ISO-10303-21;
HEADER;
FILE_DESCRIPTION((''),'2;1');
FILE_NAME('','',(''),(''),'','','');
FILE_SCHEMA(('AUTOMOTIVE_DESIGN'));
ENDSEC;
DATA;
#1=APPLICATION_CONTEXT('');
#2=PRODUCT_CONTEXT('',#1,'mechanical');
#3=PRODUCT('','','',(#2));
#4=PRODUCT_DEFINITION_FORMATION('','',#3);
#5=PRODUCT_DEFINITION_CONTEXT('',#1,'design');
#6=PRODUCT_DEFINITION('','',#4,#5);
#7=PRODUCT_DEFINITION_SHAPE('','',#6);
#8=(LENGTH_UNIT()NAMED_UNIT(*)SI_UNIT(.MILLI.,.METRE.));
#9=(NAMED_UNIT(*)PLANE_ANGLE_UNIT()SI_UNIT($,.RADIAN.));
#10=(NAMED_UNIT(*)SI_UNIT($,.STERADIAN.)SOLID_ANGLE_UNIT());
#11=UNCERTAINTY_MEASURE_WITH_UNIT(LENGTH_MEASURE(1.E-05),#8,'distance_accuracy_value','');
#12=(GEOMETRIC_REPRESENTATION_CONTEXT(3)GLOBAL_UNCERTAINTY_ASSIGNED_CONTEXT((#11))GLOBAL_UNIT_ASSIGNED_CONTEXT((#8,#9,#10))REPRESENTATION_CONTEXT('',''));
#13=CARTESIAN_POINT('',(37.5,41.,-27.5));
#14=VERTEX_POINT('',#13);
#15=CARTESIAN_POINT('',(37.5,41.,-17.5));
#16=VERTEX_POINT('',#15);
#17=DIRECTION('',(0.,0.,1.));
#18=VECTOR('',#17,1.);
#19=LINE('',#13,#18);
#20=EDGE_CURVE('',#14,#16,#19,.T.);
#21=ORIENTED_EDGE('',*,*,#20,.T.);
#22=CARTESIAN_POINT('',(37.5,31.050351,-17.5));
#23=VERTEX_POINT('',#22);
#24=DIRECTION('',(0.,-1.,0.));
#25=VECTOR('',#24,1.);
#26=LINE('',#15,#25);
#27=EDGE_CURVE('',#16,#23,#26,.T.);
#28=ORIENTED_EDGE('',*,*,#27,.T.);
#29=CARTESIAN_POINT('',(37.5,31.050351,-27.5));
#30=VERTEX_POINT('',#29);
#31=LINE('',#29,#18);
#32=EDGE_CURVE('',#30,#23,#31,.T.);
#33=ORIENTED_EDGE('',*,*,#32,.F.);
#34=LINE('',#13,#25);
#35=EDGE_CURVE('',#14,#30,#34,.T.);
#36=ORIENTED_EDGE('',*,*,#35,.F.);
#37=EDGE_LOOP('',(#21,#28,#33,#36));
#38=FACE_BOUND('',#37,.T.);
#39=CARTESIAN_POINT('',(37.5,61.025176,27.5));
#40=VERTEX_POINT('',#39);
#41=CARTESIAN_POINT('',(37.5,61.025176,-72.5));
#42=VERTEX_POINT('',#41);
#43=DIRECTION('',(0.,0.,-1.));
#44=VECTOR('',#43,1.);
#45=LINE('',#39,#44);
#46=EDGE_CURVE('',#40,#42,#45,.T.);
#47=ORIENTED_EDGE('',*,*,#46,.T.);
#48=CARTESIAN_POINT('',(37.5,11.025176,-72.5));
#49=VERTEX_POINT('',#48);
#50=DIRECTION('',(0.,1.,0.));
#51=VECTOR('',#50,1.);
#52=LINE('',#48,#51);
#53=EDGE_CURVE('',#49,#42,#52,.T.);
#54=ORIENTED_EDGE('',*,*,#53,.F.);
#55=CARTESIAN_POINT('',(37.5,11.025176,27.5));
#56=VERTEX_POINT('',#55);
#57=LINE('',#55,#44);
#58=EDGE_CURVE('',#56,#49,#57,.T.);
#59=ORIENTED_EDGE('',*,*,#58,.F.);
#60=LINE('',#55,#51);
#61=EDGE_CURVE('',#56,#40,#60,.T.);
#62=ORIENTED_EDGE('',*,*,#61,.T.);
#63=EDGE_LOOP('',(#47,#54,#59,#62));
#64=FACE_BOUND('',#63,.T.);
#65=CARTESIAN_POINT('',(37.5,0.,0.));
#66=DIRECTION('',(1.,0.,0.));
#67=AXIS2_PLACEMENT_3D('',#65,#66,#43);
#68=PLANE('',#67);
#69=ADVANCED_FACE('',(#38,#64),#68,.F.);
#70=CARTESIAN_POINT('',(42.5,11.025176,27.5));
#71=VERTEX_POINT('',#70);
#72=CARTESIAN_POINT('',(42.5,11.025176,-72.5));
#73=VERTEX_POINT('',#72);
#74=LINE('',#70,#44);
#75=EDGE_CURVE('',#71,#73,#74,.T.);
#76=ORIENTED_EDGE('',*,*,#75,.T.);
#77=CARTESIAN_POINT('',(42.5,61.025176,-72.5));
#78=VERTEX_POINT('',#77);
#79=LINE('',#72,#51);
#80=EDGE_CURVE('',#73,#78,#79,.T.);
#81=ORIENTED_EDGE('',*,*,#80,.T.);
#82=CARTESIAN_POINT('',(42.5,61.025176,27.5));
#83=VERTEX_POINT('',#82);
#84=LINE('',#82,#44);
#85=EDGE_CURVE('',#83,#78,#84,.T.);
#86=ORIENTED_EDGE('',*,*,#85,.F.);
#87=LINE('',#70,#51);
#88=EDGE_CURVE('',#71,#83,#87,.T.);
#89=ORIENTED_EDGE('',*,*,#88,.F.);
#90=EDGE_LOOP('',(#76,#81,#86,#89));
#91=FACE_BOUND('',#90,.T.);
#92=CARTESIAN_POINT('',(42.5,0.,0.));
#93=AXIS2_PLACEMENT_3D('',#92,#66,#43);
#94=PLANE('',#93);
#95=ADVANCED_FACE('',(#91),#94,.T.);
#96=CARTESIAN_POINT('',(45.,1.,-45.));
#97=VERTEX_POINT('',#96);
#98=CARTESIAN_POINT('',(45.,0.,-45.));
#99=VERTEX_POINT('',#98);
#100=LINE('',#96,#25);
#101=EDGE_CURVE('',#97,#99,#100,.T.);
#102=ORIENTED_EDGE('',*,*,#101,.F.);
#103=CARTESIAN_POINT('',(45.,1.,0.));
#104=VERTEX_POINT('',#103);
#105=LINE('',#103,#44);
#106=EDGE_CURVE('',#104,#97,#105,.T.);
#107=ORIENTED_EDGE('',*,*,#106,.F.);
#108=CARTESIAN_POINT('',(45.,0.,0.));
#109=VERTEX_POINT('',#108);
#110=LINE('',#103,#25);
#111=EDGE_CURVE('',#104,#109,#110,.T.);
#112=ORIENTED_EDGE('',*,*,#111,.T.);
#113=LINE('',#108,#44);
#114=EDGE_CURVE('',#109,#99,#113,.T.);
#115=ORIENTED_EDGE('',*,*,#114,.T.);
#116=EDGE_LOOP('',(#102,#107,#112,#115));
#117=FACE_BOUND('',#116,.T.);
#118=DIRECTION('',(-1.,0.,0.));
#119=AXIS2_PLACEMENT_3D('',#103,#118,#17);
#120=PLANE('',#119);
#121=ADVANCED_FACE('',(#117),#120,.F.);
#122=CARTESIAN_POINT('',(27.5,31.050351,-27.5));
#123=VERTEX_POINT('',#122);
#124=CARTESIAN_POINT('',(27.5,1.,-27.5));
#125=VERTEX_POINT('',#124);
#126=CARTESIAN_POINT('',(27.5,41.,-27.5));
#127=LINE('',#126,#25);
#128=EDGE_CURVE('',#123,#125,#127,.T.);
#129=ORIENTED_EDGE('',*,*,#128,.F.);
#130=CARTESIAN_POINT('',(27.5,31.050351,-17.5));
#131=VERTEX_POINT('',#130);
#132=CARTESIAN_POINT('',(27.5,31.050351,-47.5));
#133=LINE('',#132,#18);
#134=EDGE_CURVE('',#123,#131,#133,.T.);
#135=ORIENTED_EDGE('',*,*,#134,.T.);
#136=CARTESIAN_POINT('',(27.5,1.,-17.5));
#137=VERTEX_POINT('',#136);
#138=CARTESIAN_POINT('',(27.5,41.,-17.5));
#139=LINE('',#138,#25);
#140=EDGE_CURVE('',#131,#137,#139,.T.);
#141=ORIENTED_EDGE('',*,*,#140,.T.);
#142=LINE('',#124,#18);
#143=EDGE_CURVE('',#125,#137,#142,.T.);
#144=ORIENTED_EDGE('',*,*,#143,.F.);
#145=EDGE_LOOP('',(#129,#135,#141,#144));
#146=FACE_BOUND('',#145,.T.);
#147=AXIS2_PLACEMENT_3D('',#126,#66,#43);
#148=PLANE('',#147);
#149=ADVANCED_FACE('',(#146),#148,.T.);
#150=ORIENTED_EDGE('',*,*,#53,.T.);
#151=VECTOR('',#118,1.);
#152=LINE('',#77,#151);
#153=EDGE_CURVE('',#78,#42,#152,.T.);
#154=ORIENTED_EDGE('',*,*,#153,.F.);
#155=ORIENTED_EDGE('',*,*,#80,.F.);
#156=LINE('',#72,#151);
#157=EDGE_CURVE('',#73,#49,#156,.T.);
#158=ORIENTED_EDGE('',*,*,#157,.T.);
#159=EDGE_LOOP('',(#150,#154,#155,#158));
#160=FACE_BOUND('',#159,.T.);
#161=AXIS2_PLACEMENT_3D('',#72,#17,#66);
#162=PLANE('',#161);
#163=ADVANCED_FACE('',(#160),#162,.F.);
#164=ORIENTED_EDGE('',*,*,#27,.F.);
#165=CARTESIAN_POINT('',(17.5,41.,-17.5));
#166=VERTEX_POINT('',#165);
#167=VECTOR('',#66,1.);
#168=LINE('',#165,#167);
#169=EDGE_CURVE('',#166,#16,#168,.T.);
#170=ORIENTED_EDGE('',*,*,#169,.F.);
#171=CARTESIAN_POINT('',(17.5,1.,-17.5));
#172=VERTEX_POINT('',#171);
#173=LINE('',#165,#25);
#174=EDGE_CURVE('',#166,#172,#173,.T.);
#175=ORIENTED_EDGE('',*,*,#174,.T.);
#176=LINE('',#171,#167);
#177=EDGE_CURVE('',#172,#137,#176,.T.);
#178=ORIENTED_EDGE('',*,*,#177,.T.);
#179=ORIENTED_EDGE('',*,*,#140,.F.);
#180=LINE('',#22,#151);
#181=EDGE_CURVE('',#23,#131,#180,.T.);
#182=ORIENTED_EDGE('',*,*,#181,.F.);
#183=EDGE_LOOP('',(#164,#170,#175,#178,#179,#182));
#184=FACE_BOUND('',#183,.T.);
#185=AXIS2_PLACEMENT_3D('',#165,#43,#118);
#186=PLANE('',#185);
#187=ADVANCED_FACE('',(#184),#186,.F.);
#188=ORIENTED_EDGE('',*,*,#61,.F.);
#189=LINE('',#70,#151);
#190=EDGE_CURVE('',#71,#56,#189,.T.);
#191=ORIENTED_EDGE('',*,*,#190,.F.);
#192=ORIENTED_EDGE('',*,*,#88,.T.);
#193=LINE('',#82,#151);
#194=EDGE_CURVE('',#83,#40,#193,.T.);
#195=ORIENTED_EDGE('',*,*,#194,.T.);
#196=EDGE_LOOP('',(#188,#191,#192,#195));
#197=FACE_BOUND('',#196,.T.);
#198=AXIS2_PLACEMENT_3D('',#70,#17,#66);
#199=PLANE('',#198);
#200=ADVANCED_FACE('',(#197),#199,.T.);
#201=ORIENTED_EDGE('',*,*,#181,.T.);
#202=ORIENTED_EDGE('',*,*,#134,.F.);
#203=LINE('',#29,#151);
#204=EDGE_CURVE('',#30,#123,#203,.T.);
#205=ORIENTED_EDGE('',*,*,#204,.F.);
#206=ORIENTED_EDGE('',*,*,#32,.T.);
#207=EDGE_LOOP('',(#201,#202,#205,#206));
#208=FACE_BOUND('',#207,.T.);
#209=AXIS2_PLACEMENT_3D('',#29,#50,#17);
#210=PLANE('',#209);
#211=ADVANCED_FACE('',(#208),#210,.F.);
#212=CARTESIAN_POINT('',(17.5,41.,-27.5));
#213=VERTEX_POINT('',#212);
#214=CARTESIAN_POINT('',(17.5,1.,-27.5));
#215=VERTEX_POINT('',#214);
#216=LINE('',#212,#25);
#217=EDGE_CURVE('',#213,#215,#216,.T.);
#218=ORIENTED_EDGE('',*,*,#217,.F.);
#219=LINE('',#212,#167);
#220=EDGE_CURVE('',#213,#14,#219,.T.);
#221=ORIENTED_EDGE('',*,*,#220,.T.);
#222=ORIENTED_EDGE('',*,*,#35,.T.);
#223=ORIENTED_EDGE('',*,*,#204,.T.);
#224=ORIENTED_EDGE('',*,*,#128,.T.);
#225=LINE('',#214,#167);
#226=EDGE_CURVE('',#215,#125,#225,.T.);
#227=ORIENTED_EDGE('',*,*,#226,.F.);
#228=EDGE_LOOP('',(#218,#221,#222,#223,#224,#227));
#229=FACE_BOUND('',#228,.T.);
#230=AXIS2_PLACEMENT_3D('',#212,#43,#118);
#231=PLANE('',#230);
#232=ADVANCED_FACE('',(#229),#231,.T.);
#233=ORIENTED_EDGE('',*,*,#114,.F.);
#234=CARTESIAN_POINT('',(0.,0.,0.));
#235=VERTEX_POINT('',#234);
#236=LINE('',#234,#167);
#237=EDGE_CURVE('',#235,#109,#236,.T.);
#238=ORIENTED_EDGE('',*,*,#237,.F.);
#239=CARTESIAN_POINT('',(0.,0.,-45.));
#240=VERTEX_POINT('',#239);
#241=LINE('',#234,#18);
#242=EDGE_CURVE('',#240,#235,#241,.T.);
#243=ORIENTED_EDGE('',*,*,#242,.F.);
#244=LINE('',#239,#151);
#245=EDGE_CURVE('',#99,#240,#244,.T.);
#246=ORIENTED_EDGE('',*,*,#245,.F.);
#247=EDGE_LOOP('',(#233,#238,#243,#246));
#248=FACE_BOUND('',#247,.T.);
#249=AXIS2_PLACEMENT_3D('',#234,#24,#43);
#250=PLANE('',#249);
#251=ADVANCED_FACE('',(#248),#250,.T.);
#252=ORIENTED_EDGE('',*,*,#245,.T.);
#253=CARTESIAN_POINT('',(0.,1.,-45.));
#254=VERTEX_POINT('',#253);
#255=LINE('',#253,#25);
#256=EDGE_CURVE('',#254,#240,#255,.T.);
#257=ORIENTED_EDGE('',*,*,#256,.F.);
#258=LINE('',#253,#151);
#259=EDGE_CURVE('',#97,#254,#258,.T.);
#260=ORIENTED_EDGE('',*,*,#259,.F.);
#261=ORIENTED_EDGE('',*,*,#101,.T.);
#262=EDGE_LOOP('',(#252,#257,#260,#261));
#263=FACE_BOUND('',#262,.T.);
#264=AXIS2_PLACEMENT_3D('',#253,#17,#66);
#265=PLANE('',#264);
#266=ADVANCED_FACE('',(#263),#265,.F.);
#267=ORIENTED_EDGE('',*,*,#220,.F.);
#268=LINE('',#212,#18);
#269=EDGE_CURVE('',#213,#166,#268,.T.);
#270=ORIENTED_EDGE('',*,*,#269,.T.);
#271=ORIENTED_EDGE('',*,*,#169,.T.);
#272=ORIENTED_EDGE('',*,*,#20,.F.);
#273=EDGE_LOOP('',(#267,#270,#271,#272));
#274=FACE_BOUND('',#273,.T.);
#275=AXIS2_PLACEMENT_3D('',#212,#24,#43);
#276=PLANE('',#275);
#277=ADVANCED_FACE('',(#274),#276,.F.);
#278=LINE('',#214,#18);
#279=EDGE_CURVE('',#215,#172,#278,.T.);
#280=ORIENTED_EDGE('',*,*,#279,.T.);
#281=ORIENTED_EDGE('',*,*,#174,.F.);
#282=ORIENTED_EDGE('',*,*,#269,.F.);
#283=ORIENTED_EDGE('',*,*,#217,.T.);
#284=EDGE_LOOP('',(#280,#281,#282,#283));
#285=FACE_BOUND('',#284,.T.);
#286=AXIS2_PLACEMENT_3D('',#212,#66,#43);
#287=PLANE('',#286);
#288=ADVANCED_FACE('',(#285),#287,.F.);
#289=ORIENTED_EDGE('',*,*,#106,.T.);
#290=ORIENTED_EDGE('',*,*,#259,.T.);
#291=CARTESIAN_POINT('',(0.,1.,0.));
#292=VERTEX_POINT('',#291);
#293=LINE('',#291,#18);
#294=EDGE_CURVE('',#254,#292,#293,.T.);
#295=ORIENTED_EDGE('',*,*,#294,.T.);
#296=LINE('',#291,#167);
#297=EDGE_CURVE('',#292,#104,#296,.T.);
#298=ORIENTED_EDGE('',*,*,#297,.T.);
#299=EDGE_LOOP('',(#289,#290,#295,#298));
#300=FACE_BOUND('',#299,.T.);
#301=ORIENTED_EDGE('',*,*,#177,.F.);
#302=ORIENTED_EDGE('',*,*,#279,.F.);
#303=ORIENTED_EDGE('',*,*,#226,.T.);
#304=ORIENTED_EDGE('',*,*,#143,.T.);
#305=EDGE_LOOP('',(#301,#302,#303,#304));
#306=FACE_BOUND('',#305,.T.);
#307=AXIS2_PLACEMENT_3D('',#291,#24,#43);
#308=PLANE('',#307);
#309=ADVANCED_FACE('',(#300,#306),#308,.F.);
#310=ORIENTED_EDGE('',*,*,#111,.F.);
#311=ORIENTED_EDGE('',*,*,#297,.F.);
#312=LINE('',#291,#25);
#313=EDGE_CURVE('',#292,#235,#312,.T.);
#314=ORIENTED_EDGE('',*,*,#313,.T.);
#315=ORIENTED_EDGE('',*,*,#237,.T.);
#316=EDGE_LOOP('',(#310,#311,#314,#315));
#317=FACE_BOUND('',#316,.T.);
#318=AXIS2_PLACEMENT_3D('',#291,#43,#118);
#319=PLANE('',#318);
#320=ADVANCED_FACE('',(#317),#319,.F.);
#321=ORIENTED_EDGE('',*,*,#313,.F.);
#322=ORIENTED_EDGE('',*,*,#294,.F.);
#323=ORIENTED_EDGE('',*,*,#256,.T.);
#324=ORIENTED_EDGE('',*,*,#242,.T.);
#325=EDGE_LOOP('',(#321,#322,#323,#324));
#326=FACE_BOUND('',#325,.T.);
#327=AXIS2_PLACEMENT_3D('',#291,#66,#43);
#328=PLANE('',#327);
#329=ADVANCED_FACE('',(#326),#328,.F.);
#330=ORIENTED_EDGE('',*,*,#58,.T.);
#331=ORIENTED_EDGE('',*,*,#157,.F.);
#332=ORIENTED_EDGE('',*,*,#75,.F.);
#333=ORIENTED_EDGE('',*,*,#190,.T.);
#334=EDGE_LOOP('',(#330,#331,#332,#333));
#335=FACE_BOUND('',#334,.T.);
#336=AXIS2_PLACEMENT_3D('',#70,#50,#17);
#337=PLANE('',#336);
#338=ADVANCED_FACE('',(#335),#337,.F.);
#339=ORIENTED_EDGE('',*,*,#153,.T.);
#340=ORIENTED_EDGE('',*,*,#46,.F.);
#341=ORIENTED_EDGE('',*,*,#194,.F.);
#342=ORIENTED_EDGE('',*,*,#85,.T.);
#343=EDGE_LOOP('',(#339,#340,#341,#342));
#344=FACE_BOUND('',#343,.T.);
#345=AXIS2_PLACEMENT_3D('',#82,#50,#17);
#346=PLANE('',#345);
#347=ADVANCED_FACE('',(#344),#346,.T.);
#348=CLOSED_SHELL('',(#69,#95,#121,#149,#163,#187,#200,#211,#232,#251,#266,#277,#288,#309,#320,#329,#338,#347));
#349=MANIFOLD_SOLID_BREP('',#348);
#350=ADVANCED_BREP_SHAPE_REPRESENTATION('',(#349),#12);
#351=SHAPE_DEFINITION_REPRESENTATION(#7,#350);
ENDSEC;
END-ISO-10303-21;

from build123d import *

# Parameters (mm, degrees)
SKETCH2_W           = 45
SKETCH2_H           = 45
BOSS_EXTRUDE1_DEPTH = 1
SKETCH4_W           = 10
SKETCH4_H           = 10
BOSS_EXTRUDE3_DEPTH = 40
CUT_EXTRUDE4_DEPTH  = 30
BOSS_EXTRUDE8_DEPTH = 10
SKETCH18_W          = 100
SKETCH18_H          = 50
BOSS_EXTRUDE9_DEPTH = 5


with BuildPart() as part:
    # Sketch2 → Boss-Extrude1 (new body)
    with BuildSketch(Plane(origin=(0, 0, 0), x_dir=(1, 0, 0), z_dir=(0, 1, 0))):
        with Locations((22.5, 22.5)):
            Rectangle(SKETCH2_W, SKETCH2_H)
    extrude(amount=BOSS_EXTRUDE1_DEPTH)

    # Sketch4 → Boss-Extrude3 (add)
    with BuildSketch(Plane(origin=(0, 1, 0), x_dir=(1, 0, 0), z_dir=(0, 1, 0))):
        with Locations((22.5, 22.5)):
            Rectangle(SKETCH4_W, SKETCH4_H)
    extrude(amount=BOSS_EXTRUDE3_DEPTH)

    # Sketch10 → Cut-Extrude4 (cut)
    with BuildSketch(Plane(origin=(17.5, 41, -17.5), x_dir=(1, 0, 0), z_dir=(0, 0, 1))):
        Polygon((0, 0), (10, -9.949648776), (17.910752022, -1.998863577), (8.35816631, 7.505623697), align=None)
    extrude(amount=-CUT_EXTRUDE4_DEPTH, mode=Mode.SUBTRACT)

    # Sketch16 → Boss-Extrude8 (add)
    with BuildSketch(Plane(origin=(17.5, 41, -17.5), x_dir=(1, 0, 0), z_dir=(0, 0, 1))):
        Polygon((10, -9.949648776), (0, 0), (20, 0), (20, -9.949648776), align=None)
    extrude(amount=-BOSS_EXTRUDE8_DEPTH)

    # Sketch18 → Boss-Extrude9 (add)
    with BuildSketch(Plane(origin=(37.5, 0, 0), x_dir=(0, 0, -1), z_dir=(1, 0, 0))):
        with Locations((22.5, 36.025175612)):
            Rectangle(SKETCH18_W, SKETCH18_H)
    extrude(amount=BOSS_EXTRUDE9_DEPTH)


solid = part.part
